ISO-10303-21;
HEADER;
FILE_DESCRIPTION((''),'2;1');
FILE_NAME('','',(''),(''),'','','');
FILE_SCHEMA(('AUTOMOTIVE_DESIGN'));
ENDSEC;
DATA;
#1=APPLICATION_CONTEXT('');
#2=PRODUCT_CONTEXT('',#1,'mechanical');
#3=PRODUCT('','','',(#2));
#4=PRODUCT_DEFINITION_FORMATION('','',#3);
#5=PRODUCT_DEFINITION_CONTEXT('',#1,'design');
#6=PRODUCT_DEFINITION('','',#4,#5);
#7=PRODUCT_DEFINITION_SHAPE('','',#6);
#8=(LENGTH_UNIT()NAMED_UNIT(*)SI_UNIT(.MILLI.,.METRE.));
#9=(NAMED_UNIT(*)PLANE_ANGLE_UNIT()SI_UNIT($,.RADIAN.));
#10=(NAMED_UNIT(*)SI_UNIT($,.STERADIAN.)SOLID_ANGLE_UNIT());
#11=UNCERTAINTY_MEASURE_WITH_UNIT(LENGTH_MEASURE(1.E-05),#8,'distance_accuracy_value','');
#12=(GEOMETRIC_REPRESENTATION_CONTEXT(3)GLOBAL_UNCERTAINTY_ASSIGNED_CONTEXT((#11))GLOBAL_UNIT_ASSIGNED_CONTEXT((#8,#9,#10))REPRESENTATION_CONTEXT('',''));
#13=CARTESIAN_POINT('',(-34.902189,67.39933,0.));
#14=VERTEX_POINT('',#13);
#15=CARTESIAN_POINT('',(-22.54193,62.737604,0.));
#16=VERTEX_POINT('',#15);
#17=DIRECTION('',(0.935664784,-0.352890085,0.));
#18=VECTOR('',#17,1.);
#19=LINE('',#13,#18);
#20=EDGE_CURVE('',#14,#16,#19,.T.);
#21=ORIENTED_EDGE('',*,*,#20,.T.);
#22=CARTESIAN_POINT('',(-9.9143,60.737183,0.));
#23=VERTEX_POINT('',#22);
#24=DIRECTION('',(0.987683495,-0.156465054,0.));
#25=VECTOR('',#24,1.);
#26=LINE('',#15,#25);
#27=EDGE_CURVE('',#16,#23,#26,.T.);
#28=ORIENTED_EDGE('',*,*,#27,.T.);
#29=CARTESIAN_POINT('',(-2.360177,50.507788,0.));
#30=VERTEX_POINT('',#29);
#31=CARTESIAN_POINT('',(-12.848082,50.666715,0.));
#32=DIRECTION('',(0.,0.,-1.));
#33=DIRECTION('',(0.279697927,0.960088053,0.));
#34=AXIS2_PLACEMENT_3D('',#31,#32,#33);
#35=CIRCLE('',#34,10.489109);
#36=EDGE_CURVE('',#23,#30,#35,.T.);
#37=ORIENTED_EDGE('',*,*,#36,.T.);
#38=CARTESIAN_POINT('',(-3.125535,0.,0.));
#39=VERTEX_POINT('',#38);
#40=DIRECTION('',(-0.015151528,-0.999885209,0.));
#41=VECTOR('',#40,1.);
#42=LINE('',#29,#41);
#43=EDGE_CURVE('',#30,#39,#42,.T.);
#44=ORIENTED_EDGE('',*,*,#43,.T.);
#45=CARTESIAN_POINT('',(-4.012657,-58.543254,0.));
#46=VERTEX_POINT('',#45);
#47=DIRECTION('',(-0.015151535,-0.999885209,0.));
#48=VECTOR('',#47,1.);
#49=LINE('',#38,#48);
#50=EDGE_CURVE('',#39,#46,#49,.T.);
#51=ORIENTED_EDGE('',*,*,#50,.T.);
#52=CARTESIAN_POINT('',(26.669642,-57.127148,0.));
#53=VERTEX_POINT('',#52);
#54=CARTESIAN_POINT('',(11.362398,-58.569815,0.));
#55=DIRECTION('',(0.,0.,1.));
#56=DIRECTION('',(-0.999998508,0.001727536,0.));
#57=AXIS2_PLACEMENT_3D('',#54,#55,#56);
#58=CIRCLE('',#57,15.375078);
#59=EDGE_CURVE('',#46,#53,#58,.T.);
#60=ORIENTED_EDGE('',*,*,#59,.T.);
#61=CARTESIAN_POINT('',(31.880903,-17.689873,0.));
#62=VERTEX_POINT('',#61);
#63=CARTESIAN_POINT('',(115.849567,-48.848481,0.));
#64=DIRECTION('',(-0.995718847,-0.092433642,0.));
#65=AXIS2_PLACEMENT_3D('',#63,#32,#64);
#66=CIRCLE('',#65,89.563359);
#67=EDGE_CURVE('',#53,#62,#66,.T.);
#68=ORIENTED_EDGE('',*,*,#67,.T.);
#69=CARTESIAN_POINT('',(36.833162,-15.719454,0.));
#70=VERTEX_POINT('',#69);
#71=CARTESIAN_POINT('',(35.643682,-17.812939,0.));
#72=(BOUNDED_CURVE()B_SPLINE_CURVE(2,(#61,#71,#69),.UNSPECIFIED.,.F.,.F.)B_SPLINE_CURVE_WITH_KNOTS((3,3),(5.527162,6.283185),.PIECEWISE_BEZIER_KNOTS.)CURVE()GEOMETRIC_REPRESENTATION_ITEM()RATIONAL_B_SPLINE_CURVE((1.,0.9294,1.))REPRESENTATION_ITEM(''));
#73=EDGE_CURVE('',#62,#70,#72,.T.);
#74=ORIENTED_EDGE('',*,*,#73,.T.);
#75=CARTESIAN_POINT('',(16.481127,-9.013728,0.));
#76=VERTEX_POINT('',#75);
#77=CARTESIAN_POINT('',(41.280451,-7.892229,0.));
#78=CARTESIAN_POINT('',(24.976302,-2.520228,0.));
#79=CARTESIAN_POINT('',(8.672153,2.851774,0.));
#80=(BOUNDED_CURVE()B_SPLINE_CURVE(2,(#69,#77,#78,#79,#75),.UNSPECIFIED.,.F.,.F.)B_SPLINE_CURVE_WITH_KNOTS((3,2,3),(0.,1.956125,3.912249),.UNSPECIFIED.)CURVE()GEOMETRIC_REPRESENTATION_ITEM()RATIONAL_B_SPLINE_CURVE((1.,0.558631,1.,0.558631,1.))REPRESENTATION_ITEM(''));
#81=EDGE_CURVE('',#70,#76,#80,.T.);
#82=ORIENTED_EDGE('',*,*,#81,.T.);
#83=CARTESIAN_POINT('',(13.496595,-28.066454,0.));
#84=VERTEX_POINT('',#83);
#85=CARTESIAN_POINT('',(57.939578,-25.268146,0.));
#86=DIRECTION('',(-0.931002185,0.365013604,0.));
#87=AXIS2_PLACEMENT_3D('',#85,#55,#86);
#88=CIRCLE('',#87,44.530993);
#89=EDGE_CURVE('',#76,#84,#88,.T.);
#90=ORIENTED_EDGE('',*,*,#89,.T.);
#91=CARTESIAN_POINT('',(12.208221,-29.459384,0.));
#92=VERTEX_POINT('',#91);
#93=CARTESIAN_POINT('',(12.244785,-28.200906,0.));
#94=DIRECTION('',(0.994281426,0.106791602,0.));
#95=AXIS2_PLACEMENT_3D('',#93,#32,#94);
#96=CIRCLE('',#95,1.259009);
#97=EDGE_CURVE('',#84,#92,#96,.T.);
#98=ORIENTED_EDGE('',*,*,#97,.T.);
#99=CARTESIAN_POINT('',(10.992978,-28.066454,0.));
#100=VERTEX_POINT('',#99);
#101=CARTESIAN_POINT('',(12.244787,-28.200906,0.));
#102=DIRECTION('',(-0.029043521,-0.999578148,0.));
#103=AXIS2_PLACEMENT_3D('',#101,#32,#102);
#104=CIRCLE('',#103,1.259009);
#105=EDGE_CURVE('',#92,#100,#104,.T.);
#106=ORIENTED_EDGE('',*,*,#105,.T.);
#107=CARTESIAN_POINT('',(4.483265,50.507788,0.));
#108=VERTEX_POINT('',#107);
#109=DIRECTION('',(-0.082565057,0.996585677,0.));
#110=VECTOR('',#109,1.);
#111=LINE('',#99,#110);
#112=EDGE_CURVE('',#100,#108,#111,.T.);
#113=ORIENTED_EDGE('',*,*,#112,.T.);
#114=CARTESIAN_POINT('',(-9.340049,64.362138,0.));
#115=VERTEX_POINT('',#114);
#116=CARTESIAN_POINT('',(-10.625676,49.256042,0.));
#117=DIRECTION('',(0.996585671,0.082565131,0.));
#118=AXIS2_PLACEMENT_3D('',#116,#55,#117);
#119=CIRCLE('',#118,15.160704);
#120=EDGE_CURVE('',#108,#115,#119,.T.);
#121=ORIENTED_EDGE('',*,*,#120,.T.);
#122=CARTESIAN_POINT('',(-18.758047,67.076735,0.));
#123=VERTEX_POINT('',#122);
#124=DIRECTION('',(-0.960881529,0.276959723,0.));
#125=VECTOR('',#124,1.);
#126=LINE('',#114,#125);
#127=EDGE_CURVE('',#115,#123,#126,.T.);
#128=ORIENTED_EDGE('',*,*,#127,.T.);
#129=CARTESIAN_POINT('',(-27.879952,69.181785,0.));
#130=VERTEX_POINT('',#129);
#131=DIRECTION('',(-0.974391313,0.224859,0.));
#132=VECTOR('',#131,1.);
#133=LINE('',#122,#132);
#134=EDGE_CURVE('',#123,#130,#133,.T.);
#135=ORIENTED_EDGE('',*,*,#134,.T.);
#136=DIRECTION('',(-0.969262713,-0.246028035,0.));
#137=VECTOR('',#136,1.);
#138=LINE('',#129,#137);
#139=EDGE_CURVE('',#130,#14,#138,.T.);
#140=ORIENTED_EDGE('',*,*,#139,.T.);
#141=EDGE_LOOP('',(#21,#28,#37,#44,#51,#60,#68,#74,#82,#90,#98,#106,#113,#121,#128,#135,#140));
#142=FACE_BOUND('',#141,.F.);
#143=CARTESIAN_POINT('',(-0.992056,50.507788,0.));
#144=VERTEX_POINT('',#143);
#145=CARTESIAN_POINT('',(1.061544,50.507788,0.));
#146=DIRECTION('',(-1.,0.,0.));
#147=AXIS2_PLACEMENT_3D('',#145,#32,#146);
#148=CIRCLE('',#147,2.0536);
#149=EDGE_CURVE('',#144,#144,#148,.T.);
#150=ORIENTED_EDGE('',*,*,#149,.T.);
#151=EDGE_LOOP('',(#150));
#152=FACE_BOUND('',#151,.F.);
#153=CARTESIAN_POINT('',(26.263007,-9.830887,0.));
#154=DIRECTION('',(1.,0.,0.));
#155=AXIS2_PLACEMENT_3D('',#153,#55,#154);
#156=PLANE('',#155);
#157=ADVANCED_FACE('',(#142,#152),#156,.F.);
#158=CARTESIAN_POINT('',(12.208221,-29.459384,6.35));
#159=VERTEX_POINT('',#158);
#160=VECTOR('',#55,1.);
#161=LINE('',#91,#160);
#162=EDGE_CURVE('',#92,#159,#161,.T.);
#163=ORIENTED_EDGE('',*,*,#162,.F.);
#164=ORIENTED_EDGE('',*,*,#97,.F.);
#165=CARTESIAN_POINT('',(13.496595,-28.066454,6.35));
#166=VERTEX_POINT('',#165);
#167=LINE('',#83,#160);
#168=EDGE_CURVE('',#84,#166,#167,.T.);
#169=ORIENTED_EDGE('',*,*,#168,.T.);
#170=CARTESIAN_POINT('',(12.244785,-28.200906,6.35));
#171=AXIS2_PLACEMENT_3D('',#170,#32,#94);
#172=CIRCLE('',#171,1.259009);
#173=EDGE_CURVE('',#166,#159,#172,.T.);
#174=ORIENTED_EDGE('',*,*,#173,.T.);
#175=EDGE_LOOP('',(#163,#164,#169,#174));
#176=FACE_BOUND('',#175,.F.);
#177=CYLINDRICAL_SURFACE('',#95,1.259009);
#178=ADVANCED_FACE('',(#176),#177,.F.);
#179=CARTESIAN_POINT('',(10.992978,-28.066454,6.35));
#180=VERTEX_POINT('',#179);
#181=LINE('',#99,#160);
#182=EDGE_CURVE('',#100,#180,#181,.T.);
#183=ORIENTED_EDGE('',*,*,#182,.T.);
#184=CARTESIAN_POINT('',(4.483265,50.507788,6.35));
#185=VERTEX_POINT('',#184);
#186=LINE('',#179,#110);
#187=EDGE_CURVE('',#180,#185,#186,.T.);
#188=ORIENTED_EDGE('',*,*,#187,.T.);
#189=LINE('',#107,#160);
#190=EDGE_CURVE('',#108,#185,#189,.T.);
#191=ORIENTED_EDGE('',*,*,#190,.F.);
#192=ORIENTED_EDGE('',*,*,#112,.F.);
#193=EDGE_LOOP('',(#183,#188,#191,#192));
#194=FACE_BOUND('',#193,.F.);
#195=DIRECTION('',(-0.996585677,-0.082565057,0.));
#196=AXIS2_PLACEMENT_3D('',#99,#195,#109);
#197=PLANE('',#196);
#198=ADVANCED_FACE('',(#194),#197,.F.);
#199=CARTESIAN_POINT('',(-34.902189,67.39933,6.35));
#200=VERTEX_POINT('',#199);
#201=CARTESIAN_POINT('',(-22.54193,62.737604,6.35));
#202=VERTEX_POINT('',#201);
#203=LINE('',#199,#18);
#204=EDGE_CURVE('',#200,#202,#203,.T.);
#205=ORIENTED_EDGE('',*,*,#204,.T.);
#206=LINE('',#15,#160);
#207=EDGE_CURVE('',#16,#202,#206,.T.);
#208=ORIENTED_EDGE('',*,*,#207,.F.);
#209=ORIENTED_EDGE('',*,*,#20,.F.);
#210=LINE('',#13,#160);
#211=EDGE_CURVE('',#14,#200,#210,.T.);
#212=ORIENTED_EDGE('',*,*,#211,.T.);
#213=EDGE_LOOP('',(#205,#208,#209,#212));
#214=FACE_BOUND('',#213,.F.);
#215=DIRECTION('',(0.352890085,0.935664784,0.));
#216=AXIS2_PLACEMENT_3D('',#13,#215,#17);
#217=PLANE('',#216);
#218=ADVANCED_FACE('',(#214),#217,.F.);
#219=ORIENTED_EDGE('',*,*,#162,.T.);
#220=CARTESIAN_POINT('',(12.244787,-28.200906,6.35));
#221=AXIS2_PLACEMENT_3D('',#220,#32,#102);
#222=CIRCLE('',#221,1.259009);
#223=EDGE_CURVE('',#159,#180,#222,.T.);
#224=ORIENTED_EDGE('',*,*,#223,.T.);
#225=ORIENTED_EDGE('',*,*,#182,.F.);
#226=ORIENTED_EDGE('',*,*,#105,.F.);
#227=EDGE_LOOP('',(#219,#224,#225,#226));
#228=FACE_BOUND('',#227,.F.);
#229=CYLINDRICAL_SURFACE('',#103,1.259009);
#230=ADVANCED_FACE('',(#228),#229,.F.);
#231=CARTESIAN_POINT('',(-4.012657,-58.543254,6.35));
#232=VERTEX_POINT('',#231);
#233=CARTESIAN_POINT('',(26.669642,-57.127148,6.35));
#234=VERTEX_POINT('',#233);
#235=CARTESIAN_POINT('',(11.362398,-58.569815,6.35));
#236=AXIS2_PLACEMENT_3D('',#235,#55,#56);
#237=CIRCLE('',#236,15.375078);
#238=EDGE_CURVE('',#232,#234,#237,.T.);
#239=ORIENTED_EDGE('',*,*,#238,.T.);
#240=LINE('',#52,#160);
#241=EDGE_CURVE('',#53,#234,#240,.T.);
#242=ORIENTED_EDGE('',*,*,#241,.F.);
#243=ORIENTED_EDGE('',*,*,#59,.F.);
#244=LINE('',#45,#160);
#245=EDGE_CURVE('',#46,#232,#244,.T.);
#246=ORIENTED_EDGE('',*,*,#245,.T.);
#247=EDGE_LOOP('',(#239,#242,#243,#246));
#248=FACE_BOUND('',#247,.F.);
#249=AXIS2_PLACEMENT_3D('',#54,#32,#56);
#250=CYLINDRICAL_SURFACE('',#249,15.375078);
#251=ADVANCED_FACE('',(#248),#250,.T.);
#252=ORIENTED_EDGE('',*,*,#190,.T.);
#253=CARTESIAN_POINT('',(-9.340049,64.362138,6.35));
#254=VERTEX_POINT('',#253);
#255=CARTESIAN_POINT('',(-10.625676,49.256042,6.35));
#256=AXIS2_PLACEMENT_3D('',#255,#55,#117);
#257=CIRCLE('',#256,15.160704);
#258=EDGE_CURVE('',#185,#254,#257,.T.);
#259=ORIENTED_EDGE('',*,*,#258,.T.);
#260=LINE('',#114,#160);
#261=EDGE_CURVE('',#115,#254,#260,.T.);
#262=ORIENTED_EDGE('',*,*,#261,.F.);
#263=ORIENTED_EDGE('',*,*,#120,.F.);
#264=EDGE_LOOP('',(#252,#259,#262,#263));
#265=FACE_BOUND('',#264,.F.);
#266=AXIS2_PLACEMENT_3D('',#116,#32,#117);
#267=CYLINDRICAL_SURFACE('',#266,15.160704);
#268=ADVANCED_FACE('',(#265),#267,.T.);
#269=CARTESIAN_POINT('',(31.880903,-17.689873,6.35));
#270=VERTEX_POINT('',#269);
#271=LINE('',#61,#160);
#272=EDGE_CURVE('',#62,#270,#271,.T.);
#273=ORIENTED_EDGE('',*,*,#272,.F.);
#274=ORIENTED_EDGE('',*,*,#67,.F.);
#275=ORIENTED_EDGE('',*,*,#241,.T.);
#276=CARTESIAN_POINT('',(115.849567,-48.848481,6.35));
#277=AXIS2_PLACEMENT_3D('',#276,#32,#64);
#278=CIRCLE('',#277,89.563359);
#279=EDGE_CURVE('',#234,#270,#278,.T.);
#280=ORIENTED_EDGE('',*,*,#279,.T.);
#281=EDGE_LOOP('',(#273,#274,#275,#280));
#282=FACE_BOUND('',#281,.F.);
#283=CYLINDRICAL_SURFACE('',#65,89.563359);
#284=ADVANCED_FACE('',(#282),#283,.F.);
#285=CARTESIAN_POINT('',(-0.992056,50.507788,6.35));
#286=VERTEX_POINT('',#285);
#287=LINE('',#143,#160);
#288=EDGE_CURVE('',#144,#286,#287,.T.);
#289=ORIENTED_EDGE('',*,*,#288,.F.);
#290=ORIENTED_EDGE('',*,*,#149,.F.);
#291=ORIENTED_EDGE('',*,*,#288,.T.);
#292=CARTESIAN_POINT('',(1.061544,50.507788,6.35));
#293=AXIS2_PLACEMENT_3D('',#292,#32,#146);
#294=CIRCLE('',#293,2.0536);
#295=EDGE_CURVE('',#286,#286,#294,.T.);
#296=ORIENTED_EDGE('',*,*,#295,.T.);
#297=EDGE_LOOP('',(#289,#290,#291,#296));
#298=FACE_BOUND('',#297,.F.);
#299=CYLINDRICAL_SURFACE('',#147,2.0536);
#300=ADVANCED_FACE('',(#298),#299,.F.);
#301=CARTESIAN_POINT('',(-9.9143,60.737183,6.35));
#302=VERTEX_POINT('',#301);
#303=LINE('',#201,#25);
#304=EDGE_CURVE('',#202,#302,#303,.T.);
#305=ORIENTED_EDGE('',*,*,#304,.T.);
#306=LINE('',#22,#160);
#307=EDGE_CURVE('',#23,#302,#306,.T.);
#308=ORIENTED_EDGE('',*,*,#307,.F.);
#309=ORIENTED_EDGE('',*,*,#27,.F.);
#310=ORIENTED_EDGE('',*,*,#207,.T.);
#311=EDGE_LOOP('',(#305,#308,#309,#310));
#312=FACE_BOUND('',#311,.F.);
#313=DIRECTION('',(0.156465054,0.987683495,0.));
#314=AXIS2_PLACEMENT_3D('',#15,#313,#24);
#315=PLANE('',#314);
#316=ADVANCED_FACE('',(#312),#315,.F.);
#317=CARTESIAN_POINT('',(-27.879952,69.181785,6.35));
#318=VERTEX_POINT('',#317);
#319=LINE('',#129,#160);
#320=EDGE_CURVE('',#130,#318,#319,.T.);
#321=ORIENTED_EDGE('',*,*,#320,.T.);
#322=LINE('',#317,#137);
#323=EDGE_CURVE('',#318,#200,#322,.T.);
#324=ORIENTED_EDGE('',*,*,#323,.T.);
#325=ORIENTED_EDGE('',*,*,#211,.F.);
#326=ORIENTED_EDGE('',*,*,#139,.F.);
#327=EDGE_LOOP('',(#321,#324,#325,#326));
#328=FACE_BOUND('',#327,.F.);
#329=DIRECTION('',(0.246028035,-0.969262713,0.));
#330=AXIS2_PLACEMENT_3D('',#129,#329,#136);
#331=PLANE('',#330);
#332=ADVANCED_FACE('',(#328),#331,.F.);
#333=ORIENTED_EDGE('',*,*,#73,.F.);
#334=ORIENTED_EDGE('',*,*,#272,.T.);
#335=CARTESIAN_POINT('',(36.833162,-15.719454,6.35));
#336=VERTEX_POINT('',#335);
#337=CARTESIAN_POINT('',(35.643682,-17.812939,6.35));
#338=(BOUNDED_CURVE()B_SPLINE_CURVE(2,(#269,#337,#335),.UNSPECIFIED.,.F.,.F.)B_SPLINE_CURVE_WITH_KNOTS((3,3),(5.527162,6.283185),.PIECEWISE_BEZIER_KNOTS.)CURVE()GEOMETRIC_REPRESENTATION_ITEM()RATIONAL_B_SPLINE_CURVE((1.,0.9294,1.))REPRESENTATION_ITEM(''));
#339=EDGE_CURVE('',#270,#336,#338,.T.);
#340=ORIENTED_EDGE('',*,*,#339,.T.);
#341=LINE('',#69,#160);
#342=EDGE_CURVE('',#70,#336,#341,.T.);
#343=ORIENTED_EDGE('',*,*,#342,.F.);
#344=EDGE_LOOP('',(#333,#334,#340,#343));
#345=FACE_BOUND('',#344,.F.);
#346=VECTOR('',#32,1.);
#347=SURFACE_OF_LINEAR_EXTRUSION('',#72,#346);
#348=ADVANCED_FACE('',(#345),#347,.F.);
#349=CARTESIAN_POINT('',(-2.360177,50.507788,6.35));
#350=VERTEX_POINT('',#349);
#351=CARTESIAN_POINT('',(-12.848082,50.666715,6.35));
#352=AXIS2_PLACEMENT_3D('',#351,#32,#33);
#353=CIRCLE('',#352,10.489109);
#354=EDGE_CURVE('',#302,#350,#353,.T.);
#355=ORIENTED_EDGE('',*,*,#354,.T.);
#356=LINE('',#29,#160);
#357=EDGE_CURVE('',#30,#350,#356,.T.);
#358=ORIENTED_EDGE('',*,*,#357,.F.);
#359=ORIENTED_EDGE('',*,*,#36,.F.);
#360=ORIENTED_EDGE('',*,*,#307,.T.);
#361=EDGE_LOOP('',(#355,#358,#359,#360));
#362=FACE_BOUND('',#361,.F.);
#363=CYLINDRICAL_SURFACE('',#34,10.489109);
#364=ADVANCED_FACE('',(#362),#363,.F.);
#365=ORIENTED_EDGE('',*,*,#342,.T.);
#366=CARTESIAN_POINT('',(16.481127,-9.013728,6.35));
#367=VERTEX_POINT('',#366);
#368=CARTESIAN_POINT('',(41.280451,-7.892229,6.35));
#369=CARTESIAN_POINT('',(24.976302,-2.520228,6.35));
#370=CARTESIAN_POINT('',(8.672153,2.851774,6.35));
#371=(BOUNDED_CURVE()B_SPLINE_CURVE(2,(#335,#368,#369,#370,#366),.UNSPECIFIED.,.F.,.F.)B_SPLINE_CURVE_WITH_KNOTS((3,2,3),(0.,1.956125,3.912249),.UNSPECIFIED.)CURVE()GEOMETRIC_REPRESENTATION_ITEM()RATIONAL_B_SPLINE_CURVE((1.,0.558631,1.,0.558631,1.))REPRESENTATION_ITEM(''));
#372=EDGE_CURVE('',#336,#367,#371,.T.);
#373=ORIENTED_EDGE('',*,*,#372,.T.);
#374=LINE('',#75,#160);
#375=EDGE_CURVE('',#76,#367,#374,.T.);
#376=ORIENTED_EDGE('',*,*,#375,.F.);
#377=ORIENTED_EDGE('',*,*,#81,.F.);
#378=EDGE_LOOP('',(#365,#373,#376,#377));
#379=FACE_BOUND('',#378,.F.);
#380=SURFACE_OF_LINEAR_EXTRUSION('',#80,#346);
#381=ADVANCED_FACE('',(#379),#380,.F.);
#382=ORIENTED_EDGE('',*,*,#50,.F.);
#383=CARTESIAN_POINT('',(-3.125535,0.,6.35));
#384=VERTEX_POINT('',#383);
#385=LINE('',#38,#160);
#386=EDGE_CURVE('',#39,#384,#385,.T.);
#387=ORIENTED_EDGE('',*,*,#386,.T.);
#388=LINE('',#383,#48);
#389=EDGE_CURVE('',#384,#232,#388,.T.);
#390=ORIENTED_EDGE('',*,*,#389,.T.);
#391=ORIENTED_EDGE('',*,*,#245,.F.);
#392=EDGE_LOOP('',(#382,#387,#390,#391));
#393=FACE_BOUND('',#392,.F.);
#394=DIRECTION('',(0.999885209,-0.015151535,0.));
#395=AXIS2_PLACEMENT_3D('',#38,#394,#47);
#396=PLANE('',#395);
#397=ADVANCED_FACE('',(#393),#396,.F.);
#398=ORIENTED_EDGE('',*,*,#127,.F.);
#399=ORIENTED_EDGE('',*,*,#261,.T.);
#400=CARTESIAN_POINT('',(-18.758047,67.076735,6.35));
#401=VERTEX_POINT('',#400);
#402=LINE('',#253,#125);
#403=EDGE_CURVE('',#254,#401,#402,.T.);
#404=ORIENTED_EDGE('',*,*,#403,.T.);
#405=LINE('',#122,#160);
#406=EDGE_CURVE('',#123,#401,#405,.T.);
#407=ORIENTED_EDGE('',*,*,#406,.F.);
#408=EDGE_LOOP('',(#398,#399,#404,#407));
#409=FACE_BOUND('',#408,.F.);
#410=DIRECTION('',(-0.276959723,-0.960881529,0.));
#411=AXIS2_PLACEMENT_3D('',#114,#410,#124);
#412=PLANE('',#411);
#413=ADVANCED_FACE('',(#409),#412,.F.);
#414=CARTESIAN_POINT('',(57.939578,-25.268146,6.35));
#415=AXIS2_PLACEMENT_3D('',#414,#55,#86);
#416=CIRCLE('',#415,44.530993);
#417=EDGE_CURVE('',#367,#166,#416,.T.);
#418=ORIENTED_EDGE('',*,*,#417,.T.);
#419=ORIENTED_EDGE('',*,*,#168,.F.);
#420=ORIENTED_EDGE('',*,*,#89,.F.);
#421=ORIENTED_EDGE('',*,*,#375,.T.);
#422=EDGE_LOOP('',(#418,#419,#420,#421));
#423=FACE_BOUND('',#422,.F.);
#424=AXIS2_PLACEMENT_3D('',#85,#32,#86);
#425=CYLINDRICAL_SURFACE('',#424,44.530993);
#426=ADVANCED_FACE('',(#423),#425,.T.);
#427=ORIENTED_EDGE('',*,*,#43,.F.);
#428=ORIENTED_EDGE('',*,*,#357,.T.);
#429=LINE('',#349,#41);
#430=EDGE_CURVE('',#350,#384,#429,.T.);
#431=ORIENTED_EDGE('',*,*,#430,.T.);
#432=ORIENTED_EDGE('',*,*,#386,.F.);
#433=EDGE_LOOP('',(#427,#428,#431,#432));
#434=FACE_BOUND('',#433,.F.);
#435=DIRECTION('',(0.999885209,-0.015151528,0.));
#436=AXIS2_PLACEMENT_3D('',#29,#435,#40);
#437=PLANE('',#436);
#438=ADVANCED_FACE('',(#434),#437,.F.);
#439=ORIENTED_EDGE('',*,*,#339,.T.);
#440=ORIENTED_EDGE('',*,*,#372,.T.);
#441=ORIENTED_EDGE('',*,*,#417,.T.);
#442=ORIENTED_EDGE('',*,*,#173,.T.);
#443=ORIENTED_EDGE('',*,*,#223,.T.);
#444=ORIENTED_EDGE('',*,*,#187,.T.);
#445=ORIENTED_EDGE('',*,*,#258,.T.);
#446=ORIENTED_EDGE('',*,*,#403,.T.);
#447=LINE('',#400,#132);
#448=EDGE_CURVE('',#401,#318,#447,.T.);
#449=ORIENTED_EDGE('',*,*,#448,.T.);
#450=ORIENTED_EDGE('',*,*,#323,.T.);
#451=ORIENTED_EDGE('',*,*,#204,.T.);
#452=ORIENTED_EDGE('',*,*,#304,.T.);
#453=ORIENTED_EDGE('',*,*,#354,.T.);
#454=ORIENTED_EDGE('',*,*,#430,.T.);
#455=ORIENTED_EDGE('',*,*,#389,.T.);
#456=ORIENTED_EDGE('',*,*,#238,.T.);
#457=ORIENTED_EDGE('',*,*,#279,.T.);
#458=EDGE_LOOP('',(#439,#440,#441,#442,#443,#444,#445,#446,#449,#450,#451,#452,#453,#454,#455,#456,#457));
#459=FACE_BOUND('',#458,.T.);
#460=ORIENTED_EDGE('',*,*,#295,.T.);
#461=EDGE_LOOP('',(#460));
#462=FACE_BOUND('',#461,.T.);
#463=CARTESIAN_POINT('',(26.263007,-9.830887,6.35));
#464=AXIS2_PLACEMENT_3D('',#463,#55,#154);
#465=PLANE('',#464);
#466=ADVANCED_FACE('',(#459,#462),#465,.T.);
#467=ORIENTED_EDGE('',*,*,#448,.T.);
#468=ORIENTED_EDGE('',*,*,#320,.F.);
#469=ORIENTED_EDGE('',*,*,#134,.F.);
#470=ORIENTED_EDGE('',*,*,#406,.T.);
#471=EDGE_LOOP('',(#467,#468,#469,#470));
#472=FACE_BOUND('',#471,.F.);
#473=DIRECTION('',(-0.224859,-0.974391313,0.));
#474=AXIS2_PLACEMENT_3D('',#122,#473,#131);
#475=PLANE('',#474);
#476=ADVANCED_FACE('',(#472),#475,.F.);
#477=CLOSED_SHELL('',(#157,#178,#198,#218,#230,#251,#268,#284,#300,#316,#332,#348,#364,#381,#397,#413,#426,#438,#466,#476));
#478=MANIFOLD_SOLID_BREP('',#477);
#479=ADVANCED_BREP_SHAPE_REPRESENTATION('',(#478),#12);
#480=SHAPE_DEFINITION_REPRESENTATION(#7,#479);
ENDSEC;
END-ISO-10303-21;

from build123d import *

# Parameters (mm, degrees)
F1_DEPTH = 6.35


with BuildPart() as f1:
    # F0 (on Top) → F1 (new body)
    with BuildSketch(Plane.XY):
        with BuildLine():
            add(Edge.make_bspline(
                [(31.880903, -17.689873), (35.643682, -17.812939), (36.833162, -15.719454)],
                knots=[5.527162, 5.527162, 5.527162, 6.283185, 6.283185, 6.283185], degree=2, weights=[1, 0.9294, 1]))
            add(Edge.make_bspline(
                [(36.833162, -15.719454), (41.280451, -7.892229), (24.976302, -2.520228), (8.672153, 2.851774), (16.481127, -9.013728)],
                knots=[0, 0, 0, 1.956125, 1.956125, 3.912249, 3.912249, 3.912249], degree=2, weights=[1, 0.558631, 1, 0.558631, 1]))
            add(Edge.make_bspline(
                [(16.481127, -9.013728), (21.977953, -17.365987), (31.880903, -17.689873)],
                knots=[3.912249, 3.912249, 3.912249, 5.527162, 5.527162, 5.527162], degree=2, weights=[1, 0.691339, 1]))
        make_face()
        with BuildLine():
            add(Edge.make_bspline(
                [(16.481127, -9.013728), (21.977953, -17.365987), (31.880903, -17.689873)],
                knots=[3.912249, 3.912249, 3.912249, 5.527162, 5.527162, 5.527162], degree=2, weights=[1, 0.691339, 1]))
            ThreePointArc((16.481127, -9.013728), (13.945082, -18.376587), (13.496595, -28.066454))
            ThreePointArc((13.496595, -28.066454), (13.169052, -29.055795), (12.208221, -29.459384))
            Line((12.208221, -29.459384), (11.362398, -58.569814))
            Line((11.362398, -58.569814), (0, 0))
            Line((0, 0), (-3.125535, 0))
            Line((-3.125535, 0), (-4.012657, -58.543254))
            ThreePointArc((-4.012657, -58.543254), (12.071262, -73.928543), (26.669642, -57.127148))
            ThreePointArc((26.669642, -57.127148), (27.058052, -37.115526), (31.880903, -17.689873))
        make_face()
        with BuildLine():
            Line((11.362398, -58.569814), (12.208221, -29.459384))
            ThreePointArc((12.208221, -29.459384), (11.296082, -29.028591), (10.992978, -28.066454))
            Line((10.992978, -28.066454), (4.483265, 50.507788))
            Line((4.483265, 50.507788), (3.115144, 50.507788))
            ThreePointArc((3.115144, 50.507788), (1.061544, 48.454188), (-0.992056, 50.507788))
            Line((-0.992056, 50.507788), (-2.360177, 50.507788))
            Line((-2.360177, 50.507788), (-3.125535, 0))
            Line((-3.125535, 0), (0, 0))
            Line((0, 0), (11.362398, -58.569814))
        make_face()
        with BuildLine():
            Line((3.115144, 50.507788), (4.483265, 50.507788))
            ThreePointArc((4.483265, 50.507788), (0.106576, 59.964251), (-9.340049, 64.362138))
            Line((-9.340049, 64.362138), (-9.9143, 60.737183))
            ThreePointArc((-9.9143, 60.737183), (-4.410336, 56.897754), (-2.360177, 50.507788))
            Line((-2.360177, 50.507788), (-0.992056, 50.507788))
            ThreePointArc((-0.992056, 50.507788), (1.061544, 52.561388), (3.115144, 50.507788))
        make_face()
        Polygon((-9.9143, 60.737183), (-9.340049, 64.362138), (-18.758047, 67.076735), (-27.879952, 69.181785), (-34.902189, 67.39933), (-22.54193, 62.737604), align=None)
    extrude(amount=F1_DEPTH)


solid = f1.part
